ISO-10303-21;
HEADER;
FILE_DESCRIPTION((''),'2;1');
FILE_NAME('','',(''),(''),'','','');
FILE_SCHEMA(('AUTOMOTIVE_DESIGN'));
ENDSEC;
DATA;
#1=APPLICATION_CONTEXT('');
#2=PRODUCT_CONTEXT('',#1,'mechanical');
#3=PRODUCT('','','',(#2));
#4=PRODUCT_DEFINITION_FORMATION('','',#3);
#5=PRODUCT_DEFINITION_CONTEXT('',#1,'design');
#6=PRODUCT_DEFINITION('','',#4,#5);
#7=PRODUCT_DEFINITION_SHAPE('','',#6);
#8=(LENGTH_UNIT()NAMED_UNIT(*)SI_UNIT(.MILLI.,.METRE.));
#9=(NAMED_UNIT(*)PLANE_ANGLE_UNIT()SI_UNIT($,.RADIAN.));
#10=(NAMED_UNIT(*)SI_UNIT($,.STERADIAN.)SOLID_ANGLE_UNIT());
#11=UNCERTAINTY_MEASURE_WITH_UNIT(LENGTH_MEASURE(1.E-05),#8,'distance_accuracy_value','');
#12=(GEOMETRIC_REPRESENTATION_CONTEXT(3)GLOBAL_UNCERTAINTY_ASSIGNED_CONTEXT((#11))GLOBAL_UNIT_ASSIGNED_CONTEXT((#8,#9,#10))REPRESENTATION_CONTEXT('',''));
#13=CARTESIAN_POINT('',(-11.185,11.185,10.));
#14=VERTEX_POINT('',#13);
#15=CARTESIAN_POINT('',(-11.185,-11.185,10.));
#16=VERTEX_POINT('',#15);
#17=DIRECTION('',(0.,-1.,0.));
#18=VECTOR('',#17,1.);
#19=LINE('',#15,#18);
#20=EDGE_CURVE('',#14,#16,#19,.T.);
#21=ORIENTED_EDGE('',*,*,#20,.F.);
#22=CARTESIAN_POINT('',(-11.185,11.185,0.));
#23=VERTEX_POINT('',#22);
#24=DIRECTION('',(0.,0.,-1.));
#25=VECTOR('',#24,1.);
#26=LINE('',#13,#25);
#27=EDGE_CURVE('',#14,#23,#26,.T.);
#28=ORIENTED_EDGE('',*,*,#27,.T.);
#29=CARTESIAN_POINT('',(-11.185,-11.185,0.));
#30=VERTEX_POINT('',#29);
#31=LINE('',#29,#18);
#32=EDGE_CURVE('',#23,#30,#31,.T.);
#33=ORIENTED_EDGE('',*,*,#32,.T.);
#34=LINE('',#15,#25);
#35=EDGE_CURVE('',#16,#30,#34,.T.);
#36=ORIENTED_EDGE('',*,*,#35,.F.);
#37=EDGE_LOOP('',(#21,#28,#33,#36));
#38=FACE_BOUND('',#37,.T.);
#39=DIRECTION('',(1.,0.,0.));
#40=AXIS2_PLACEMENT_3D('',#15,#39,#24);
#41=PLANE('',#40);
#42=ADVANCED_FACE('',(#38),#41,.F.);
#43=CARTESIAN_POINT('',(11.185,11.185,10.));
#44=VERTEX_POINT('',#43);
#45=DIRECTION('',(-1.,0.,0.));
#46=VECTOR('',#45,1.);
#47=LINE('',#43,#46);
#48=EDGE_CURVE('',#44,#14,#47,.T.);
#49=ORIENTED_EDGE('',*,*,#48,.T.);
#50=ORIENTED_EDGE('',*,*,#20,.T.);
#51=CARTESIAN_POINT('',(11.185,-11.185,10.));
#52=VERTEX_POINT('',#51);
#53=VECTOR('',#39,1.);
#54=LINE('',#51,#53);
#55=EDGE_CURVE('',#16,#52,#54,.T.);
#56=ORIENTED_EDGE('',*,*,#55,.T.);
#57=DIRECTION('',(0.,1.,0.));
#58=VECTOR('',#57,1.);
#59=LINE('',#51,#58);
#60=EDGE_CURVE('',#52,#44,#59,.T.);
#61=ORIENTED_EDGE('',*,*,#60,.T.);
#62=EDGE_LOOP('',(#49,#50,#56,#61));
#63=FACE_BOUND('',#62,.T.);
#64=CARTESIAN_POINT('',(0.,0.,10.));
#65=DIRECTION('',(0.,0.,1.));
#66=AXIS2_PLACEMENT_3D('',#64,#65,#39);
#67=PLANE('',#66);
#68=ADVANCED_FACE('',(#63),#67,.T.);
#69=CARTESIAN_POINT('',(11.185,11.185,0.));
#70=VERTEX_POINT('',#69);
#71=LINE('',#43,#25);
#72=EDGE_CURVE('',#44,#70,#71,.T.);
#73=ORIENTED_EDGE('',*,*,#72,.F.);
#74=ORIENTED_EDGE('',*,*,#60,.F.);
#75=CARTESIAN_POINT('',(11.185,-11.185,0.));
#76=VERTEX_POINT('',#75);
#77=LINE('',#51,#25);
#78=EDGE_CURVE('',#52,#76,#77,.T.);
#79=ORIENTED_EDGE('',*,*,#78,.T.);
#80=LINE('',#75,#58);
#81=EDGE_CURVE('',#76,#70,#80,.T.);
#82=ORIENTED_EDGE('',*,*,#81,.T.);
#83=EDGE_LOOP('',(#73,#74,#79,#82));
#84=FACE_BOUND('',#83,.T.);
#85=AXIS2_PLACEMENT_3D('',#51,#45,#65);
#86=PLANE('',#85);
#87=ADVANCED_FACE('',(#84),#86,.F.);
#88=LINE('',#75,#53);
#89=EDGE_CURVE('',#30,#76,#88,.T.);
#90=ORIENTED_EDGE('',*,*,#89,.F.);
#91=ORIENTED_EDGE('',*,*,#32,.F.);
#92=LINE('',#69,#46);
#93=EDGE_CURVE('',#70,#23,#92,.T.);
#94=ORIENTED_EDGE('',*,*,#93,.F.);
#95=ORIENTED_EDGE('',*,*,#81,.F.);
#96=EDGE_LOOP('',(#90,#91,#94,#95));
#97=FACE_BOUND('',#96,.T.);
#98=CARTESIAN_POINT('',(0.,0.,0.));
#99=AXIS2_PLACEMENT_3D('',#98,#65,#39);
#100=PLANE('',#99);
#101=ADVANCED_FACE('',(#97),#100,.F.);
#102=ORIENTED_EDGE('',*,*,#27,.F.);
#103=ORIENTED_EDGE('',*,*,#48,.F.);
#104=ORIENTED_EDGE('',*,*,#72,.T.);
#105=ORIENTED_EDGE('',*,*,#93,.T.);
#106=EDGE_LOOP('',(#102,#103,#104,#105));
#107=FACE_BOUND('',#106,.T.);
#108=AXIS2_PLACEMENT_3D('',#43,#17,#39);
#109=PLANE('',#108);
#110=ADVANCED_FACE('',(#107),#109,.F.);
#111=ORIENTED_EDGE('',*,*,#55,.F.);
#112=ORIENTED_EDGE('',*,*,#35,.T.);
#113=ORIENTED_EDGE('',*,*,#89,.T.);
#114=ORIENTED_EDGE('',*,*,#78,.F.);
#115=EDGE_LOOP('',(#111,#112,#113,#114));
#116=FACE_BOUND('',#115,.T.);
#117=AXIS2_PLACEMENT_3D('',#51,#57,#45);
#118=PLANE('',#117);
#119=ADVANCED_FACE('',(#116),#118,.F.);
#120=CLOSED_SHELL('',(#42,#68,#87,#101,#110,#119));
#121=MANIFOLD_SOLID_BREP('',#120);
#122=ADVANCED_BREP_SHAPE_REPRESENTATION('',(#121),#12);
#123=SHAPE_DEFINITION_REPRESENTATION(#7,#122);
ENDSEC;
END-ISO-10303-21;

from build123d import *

# Parameters (mm, degrees)
ESBO_O1_W                = 22.37
ESBO_O1_H                = 22.37
RESSALTO_EXTRUS_O1_DEPTH = 10


with BuildPart() as part:
    # Esboço1 → Ressalto-extrusão1 (new body)
    with BuildSketch(Plane.XY):
        Rectangle(ESBO_O1_W, ESBO_O1_H)
    extrude(amount=RESSALTO_EXTRUS_O1_DEPTH)


solid = part.part
